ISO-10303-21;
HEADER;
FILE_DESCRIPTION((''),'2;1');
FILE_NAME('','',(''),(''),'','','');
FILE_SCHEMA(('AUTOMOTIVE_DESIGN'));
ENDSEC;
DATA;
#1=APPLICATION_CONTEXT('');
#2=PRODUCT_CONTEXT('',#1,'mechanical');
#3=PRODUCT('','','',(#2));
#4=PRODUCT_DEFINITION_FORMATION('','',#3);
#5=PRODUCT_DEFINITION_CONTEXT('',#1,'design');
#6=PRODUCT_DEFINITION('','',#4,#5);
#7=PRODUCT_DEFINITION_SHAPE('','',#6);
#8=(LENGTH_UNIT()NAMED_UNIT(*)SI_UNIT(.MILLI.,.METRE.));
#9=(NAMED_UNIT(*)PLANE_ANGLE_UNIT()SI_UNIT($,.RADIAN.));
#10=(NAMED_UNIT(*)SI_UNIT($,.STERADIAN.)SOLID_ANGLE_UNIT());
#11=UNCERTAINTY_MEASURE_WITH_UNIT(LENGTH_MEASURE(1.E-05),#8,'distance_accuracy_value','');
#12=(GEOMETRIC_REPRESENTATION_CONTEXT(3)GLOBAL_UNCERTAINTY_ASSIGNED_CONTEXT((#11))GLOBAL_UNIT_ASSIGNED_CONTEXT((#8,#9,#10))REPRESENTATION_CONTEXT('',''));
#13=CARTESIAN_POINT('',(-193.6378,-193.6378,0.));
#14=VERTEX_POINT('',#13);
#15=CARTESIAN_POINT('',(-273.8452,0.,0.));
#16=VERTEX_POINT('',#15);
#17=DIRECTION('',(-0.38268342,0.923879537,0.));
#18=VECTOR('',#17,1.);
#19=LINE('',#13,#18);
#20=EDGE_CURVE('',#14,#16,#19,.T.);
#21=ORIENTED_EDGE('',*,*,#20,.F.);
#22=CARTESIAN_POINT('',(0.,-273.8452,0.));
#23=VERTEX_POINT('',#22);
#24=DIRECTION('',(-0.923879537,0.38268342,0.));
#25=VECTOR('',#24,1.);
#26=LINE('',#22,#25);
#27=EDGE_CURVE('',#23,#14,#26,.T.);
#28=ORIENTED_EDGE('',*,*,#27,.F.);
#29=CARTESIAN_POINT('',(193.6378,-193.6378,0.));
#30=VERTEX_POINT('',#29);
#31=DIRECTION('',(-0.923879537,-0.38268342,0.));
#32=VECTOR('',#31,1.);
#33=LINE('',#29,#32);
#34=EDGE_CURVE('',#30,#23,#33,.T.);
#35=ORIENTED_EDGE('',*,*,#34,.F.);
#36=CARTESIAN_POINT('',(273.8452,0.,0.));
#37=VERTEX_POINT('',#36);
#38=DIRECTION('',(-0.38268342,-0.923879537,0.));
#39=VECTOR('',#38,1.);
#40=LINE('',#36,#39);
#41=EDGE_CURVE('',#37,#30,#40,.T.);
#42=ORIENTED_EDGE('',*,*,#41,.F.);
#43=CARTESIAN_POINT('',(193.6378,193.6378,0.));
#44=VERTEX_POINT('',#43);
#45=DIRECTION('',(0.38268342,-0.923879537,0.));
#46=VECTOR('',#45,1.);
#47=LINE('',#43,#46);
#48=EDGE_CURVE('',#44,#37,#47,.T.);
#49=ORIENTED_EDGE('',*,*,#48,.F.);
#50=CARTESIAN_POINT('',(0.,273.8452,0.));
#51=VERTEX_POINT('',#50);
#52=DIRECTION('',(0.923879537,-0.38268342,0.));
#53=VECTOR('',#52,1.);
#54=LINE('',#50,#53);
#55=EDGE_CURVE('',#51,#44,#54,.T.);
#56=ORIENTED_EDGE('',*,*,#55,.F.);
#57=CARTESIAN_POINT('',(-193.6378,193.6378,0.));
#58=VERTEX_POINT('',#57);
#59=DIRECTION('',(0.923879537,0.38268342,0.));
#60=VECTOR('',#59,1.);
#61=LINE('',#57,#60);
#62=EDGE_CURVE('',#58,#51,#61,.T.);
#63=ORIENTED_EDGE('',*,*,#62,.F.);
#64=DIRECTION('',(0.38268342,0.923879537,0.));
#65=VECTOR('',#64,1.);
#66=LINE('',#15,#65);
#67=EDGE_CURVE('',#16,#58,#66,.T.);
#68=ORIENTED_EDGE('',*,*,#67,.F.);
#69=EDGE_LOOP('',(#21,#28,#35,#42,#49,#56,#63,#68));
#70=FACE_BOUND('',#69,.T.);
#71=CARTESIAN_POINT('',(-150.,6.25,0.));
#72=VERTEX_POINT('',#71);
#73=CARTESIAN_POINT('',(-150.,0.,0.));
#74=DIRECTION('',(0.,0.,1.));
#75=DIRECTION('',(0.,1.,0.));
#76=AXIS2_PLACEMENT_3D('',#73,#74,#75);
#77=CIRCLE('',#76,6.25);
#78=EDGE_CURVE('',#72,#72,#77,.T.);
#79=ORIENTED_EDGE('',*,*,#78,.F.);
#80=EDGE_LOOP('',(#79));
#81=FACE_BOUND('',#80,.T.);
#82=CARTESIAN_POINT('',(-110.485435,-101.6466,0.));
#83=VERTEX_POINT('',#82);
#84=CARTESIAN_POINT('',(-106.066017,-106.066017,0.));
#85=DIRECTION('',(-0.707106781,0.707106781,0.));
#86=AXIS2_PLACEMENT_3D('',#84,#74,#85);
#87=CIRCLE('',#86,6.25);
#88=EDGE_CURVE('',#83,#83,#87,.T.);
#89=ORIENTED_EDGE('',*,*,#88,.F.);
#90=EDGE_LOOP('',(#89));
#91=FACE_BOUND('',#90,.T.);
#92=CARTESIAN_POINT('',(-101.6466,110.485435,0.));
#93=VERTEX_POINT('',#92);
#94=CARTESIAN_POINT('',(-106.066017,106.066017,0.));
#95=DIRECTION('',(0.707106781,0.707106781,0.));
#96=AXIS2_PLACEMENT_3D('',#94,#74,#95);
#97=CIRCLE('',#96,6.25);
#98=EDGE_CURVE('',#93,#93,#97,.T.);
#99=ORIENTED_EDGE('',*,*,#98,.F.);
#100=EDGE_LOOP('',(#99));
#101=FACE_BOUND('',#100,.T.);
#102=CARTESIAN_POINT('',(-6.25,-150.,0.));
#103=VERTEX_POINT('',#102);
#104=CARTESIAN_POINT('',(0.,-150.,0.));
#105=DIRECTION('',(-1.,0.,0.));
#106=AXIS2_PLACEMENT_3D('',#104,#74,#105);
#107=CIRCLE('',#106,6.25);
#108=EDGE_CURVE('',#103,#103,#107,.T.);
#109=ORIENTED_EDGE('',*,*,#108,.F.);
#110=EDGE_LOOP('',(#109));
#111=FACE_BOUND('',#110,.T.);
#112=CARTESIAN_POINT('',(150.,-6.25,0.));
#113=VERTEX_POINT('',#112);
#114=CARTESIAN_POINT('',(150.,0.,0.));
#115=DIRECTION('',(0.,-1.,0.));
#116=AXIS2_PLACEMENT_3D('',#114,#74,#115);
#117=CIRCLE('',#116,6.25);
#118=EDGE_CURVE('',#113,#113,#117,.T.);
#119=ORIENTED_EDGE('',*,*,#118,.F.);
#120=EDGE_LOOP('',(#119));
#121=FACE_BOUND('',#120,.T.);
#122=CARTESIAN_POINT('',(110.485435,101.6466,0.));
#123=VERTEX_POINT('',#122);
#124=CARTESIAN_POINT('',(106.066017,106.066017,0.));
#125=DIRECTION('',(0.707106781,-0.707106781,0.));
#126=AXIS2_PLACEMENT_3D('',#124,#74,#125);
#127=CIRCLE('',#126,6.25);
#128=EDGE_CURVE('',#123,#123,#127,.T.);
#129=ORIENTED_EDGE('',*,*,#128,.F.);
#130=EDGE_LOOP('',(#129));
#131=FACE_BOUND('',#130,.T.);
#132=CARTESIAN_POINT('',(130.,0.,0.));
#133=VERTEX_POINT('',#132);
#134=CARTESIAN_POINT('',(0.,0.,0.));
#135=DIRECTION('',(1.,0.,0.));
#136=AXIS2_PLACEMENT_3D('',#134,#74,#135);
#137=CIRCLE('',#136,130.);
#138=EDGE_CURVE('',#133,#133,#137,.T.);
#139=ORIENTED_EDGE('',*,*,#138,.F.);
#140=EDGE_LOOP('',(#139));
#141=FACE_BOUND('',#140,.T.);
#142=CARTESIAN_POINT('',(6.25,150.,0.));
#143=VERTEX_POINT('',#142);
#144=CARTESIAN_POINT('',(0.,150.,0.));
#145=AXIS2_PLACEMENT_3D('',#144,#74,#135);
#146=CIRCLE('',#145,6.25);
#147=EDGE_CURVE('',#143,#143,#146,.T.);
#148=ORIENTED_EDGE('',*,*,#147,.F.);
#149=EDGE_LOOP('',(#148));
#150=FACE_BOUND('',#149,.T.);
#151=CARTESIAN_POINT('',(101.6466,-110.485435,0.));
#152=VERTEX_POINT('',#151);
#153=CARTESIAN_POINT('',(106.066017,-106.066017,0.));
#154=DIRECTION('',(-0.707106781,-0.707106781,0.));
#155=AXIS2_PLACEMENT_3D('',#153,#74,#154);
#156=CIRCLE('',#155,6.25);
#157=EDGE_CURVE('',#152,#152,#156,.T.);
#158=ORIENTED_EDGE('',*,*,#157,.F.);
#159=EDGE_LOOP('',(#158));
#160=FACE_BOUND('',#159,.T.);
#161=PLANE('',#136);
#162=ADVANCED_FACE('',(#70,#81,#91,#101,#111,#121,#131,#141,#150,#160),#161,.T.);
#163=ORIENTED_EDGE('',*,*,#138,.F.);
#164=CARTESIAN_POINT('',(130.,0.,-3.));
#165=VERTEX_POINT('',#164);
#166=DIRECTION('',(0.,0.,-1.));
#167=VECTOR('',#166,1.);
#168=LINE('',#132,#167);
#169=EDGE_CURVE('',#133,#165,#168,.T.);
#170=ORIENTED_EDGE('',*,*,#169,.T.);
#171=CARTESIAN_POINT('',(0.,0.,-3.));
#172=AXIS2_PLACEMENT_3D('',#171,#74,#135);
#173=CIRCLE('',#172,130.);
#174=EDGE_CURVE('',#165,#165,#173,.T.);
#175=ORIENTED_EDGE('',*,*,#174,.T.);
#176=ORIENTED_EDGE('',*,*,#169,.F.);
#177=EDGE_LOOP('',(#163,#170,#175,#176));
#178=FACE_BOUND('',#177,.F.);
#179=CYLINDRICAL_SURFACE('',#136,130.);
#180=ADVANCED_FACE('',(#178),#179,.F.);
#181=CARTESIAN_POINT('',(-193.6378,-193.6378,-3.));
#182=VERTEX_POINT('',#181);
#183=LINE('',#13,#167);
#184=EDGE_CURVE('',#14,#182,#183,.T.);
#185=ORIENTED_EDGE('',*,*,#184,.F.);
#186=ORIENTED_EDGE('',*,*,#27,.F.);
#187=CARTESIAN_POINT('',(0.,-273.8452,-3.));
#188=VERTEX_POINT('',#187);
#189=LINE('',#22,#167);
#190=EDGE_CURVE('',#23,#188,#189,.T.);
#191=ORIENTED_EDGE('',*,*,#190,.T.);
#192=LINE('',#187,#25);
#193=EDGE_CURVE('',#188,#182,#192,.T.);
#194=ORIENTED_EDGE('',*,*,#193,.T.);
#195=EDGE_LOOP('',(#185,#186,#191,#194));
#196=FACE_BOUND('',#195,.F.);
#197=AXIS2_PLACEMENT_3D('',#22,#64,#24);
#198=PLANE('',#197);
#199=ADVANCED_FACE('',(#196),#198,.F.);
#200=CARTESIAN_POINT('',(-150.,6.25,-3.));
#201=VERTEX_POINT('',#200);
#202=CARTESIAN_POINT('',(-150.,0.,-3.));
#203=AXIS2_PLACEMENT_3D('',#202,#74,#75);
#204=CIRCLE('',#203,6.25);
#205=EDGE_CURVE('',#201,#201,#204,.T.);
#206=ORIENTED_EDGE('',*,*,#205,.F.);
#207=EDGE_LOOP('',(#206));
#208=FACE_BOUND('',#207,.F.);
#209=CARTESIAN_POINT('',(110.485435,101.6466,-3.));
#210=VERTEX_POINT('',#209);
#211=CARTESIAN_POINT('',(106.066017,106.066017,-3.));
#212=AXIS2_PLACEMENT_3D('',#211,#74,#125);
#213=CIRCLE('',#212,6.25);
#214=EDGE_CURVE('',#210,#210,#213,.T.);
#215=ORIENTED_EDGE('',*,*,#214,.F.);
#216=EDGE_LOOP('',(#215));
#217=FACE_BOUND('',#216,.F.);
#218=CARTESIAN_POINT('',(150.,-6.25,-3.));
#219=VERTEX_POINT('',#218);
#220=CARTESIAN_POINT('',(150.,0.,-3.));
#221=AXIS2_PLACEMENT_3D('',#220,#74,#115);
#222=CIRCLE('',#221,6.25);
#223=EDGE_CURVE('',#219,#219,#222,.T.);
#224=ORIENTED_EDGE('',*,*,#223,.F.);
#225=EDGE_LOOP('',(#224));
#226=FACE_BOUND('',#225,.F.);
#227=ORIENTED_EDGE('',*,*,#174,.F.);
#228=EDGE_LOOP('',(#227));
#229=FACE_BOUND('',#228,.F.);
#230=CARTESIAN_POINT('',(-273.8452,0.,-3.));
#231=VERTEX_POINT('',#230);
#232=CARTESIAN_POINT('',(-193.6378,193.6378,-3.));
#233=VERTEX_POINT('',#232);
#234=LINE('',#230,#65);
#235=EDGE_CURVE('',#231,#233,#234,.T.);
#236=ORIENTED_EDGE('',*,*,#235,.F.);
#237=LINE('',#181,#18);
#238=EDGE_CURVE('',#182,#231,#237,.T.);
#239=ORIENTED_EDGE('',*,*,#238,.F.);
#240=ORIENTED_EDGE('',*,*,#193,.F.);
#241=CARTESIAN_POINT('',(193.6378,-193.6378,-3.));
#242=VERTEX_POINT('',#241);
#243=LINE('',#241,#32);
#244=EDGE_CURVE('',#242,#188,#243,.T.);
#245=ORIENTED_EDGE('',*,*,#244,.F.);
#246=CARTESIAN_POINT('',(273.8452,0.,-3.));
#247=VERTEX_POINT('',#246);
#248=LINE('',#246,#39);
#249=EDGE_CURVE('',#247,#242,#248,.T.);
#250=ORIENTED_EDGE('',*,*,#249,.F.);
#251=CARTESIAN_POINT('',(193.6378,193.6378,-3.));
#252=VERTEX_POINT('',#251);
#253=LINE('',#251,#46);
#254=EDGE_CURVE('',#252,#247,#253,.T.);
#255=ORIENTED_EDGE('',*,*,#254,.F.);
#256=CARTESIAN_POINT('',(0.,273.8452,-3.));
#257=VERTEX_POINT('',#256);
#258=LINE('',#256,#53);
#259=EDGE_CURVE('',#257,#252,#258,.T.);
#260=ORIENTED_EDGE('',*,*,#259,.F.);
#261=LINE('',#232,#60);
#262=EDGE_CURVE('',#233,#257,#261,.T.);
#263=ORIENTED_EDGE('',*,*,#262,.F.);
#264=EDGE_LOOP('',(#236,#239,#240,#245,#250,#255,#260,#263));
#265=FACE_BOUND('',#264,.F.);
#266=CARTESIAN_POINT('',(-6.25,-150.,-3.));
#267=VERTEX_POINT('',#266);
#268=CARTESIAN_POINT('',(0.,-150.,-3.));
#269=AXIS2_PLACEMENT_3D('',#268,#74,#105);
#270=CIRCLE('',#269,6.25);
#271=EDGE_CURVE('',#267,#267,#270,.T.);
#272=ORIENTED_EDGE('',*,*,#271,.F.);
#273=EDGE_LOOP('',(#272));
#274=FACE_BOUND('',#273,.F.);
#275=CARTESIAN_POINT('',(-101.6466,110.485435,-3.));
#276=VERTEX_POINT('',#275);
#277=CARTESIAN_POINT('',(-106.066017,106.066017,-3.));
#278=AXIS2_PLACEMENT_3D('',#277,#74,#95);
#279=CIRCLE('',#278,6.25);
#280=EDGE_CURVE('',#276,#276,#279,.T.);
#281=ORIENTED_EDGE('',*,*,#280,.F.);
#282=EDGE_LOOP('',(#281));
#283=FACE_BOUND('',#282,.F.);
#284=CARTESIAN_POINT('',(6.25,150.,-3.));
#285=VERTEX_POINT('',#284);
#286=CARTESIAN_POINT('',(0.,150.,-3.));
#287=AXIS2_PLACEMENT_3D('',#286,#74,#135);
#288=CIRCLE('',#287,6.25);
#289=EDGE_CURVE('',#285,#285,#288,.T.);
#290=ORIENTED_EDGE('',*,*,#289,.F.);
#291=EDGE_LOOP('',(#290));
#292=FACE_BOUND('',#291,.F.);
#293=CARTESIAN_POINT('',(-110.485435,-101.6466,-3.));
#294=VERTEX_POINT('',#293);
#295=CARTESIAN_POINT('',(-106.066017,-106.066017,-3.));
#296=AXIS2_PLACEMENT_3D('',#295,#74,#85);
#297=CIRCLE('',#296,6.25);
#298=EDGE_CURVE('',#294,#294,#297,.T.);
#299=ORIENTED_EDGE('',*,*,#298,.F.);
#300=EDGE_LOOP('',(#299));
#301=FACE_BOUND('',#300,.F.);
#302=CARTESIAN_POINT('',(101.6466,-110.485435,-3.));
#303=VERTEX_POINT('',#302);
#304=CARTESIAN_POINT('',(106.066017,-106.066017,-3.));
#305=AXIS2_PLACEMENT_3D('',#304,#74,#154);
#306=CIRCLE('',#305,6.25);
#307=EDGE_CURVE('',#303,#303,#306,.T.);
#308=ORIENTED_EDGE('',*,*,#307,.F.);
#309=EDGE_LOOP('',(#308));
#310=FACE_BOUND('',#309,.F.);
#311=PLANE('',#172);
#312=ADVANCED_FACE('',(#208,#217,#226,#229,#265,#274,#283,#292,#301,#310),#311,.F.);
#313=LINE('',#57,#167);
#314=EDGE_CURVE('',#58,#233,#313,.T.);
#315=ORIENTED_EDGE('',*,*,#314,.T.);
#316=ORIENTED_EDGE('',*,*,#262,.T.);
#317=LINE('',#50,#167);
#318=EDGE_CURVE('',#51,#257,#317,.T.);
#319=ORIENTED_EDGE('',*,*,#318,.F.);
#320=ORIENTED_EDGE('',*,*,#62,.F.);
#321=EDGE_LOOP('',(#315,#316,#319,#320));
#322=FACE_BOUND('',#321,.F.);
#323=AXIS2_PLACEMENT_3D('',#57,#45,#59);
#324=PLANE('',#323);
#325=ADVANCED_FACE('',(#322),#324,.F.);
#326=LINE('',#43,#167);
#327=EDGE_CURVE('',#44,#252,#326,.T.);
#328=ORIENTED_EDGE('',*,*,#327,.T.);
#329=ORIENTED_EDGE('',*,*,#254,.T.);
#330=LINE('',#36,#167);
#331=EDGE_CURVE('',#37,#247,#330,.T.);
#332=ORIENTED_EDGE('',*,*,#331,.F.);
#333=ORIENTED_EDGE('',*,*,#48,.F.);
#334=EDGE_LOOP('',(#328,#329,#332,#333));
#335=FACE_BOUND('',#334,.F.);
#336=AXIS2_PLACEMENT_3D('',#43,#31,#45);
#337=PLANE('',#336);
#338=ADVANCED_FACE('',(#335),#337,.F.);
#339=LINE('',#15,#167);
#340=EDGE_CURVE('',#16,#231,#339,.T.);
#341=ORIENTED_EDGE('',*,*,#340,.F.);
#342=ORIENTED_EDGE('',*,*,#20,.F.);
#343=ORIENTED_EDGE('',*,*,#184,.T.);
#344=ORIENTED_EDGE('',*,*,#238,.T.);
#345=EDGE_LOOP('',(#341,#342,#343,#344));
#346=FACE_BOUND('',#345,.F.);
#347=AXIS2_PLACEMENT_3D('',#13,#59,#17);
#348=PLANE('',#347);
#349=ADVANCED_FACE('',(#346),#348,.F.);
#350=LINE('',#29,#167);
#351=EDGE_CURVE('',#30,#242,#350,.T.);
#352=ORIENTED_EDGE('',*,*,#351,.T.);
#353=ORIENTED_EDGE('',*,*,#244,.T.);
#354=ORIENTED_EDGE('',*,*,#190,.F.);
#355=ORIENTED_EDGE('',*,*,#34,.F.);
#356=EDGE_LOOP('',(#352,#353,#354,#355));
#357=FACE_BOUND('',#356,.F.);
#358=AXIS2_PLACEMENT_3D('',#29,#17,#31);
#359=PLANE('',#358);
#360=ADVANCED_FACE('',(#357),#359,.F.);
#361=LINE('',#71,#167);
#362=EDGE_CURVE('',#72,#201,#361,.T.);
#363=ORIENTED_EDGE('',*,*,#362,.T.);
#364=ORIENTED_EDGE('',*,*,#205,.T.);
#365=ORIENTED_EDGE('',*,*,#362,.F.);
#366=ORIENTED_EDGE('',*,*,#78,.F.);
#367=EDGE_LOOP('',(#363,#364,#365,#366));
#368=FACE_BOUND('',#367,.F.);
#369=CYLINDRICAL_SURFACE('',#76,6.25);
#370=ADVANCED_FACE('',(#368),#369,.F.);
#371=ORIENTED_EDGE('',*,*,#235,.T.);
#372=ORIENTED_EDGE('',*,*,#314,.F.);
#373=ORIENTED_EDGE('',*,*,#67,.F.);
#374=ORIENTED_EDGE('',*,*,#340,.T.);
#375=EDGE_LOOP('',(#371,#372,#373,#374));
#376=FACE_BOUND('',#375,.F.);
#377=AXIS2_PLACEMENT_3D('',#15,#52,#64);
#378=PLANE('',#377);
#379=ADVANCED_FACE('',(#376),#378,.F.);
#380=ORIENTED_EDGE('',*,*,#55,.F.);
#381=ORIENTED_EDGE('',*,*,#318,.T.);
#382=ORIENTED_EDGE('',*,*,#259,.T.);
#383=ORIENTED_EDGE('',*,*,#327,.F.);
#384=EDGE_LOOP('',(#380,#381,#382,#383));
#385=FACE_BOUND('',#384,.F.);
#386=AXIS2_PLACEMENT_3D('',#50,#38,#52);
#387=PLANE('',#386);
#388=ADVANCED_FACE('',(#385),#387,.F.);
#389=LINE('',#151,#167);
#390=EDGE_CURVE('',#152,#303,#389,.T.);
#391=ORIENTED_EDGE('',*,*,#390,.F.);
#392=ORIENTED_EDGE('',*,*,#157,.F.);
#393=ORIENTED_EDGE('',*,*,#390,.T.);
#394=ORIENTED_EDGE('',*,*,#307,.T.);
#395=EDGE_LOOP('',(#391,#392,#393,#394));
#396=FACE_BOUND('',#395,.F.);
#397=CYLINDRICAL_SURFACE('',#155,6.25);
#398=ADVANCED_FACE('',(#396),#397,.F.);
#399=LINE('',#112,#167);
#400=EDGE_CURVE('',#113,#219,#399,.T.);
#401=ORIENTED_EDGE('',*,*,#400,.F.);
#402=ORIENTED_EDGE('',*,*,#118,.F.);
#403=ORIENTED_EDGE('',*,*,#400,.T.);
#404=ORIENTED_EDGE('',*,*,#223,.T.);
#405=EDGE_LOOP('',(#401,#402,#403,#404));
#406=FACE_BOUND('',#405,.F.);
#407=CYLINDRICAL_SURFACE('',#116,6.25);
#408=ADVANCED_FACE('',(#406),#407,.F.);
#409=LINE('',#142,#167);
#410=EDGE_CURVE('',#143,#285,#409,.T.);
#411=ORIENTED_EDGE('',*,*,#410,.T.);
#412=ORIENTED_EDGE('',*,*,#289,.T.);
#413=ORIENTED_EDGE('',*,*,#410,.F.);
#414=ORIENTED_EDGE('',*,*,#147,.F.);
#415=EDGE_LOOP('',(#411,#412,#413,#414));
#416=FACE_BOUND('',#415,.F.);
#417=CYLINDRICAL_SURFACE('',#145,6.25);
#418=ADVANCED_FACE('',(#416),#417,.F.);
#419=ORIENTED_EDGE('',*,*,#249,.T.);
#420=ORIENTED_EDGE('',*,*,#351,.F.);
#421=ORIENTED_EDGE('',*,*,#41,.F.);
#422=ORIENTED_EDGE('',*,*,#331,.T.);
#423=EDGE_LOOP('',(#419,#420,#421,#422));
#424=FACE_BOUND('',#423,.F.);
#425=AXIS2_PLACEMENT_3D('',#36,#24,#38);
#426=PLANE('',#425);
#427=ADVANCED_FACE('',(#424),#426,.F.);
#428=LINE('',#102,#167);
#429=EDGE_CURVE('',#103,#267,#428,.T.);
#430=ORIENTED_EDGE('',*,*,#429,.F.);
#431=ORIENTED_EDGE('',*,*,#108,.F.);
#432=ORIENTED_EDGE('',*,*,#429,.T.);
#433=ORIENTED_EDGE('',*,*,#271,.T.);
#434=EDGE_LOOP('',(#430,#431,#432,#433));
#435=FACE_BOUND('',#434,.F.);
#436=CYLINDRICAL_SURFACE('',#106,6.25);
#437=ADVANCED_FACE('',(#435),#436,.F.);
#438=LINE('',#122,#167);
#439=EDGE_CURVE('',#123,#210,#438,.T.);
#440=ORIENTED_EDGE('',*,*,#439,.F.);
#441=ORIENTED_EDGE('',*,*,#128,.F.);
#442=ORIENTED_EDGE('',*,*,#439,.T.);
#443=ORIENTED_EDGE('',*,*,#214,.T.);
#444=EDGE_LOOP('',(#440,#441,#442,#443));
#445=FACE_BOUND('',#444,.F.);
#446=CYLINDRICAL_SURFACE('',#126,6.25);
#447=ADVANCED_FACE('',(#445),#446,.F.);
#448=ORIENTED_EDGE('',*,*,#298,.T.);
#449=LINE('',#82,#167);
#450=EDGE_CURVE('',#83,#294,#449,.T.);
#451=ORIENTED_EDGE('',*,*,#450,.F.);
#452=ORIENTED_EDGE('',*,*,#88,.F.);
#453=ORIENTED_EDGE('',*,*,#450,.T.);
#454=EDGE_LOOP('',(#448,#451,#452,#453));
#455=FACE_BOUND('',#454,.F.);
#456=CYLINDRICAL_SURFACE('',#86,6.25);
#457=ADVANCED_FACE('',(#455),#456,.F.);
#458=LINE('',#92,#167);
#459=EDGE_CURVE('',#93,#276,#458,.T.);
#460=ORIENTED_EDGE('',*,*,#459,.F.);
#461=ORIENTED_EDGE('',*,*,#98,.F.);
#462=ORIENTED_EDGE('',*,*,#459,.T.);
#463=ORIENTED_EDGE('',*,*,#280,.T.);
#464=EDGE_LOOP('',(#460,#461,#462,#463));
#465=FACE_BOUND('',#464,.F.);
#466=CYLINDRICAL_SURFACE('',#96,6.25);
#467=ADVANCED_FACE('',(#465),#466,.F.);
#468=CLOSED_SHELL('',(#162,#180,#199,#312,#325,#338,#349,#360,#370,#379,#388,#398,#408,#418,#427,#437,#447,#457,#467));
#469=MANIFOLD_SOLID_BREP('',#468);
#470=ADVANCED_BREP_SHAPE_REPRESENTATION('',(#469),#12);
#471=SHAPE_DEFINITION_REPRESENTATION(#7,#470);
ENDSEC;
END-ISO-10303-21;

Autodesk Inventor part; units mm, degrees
ref_plane "YZ Plane" through (0, 0, 0) normal (1, 0, 0) x (0, 1, 0)
ref_plane "XZ Plane" through (0, 0, 0) normal (0, 1, 0) x (-1, 0, 0)
ref_plane "XY Plane" through (0, 0, 0) normal (0, 0, 1) x (1, 0, 0)
sketch "Sketch2" plane through (0, 0, 0) normal (0, 0, 1) x (1, 0, 0)
  line L0 (-193.6378, 193.6378) -> (0, 273.8452)
  line L1 (0, 273.8452) -> (193.6378, 193.6378)
  line L2 (193.6378, 193.6378) -> (273.8452, 0)
  line L3 (273.8452, 0) -> (193.6378, -193.6378)
  line L4 (193.6378, -193.6378) -> (0, -273.8452)
  line L5 (0, -273.8452) -> (-193.6378, -193.6378)
  line L6 (-193.6378, -193.6378) -> (-273.8452, 0)
  line L7 (-273.8452, 0) -> (-193.6378, 193.6378)
  circle A0 centre (0, 0) radius 130
  dimension "d23" = 506
  dimension "d26" = 260
extrude "Plate1" add sketch "Sketch2" against normal blind 3
sketch "Sketch4" plane through (0, 0, 0) normal (0, 0, 1) x (1, 0, 0)
  circle A0 centre (0, 150) radius 6.25
  circle A1 centre (0, 0) radius 130 projected
  dimension "d16" = 12.5
  dimension "d17" = 150
extrude "Extrusion1" cut sketch "Sketch4" against normal up to surface (3 mm away) contours A0
pattern_circular "Circular Pattern1" count 8 over 360 about axis through (0, 0, -10) along (0, 0, 1) of "Extrusion1"
equation "\"d23\" = Барабан_габарит_по_кассетам"
equation "\"d26\" = Вал_ось_диаметр_НОС"
equation "\"d15\" = Thickness"
equation "\"BendRadius\" = Thickness"
equation "\"BendReliefWidth\" = Thickness"
equation "\"BendReliefDepth\" = 0.5 * Thickness"
equation "\"CornerReliefSize\" = 4 * Thickness"
equation "\"MinimumRemnant\" = 2 * Thickness"
equation "\"TransitionRadius\" = BendRadius"
equation "\"JacobiRadiusSize\" = BendRadius"
equation "\"GapSize\" = Thickness"
equation "\"Барабан_габарит_по_кассетам\" = 506"
equation "\"Вал_ось_диаметр_НОС\" = 260"
equation "\"Thickness\" = 3"
properties part number "ДМС 101 Барабан торец"
